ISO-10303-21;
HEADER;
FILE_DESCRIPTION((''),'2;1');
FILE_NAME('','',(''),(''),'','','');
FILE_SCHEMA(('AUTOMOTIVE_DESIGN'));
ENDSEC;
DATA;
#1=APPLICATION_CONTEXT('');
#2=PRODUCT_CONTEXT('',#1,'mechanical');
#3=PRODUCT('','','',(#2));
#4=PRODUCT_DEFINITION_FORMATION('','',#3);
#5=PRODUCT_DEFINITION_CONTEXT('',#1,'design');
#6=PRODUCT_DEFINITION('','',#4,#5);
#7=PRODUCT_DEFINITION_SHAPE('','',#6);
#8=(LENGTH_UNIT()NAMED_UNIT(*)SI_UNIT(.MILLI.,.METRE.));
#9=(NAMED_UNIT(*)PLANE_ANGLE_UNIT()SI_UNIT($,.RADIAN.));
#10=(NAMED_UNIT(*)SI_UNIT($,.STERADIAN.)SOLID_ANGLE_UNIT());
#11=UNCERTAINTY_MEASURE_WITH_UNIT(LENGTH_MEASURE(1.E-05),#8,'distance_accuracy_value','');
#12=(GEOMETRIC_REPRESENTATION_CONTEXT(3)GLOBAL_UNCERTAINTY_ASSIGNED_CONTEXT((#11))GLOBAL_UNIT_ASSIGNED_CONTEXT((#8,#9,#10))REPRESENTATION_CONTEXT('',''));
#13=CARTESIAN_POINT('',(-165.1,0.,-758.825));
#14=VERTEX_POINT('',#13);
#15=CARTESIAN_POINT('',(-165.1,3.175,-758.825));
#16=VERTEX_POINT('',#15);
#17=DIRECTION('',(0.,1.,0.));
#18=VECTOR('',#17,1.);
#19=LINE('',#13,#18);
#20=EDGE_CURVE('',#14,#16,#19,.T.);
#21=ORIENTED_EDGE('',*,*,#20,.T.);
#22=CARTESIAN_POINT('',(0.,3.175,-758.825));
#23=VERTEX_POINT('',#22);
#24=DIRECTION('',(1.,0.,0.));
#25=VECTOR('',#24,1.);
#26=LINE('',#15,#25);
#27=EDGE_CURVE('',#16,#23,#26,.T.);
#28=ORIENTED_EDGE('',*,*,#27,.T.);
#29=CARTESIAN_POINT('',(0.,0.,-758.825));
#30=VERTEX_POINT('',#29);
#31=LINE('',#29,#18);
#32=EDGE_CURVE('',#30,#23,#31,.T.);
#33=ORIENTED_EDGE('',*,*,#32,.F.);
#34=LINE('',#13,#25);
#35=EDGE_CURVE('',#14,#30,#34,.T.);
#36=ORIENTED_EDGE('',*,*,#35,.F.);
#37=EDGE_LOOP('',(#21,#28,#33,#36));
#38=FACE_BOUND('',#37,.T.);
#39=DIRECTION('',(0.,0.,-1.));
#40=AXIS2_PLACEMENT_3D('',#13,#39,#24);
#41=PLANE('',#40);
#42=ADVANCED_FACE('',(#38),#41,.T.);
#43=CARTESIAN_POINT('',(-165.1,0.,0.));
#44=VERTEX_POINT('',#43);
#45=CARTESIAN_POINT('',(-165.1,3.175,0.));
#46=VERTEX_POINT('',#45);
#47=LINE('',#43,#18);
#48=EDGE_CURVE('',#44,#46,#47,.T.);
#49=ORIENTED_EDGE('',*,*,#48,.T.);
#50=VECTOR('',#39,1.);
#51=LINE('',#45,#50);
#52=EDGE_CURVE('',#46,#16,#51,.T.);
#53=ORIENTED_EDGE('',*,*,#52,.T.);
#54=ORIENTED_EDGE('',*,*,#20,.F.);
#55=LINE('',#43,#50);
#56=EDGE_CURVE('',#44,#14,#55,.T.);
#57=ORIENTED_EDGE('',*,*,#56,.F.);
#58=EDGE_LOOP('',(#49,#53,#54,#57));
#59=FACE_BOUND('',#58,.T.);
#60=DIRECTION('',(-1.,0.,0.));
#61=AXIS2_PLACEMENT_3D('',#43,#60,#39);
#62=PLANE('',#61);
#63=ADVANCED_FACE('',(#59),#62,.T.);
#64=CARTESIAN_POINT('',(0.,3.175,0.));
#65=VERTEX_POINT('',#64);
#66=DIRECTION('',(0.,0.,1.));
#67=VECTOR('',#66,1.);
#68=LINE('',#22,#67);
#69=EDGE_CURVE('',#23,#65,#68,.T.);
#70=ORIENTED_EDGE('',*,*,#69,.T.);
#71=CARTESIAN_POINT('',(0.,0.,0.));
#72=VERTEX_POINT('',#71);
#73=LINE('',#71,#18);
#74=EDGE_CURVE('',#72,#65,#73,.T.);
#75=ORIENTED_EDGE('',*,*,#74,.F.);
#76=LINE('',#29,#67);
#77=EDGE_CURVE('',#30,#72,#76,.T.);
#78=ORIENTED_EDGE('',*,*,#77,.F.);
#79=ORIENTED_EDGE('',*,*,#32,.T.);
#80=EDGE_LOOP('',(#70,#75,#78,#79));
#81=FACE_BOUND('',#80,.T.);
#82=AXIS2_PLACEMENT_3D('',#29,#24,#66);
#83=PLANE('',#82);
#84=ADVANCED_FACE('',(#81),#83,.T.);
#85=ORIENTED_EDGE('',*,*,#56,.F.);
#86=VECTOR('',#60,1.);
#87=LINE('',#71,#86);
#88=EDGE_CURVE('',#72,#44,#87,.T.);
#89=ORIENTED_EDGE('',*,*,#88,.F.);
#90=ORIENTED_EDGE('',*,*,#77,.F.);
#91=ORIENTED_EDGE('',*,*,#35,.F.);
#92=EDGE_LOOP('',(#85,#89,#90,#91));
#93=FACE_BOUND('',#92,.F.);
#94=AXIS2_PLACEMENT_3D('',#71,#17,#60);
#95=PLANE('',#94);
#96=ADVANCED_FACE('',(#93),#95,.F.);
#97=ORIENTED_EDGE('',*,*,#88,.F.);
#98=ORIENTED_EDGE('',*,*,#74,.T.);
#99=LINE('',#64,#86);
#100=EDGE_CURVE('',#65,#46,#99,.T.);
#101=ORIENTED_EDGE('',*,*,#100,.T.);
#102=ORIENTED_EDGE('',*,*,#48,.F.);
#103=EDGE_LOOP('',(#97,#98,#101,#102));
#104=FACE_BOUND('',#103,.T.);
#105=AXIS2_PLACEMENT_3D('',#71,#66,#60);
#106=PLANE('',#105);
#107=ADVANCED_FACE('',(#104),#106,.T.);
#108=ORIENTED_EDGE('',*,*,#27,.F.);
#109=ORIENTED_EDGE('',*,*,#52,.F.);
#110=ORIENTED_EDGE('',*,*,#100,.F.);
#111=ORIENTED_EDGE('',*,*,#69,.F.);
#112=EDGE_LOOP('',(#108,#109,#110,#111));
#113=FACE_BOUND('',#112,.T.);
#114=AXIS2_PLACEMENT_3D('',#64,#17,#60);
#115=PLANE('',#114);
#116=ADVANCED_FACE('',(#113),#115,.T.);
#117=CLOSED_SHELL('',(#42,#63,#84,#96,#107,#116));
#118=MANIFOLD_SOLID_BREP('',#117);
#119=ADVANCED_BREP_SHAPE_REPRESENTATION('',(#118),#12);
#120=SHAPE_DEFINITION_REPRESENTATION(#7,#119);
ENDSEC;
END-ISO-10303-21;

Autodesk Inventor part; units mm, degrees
ref_plane "YZ Plane" through (0, 0, 0) normal (1, 0, 0) x (0, 1, 0)
ref_plane "XZ Plane" through (0, 0, 0) normal (0, 1, 0) x (-1, 0, 0)
ref_plane "XY Plane" through (0, 0, 0) normal (0, 0, 1) x (1, 0, 0)
sketch "Sketch1" plane through (0, 0, 0) normal (0, 1, 0) x (-1, 0, 0)
  line L0 (0, 0) -> (165.1, 0)
  line L1 (165.1, 0) -> (165.1, -758.825)
  line L2 (165.1, -758.825) -> (0, -758.825)
  line L3 (0, -758.825) -> (0, 0)
  dimension "d0" = 165.1
  dimension "d1" = 758.825
extrude "Extrusion1" add sketch "Sketch1" along normal blind 3.175
properties part number "Starter_Shingle_With_Dimensions_6.5_x_24.621_Inches"
